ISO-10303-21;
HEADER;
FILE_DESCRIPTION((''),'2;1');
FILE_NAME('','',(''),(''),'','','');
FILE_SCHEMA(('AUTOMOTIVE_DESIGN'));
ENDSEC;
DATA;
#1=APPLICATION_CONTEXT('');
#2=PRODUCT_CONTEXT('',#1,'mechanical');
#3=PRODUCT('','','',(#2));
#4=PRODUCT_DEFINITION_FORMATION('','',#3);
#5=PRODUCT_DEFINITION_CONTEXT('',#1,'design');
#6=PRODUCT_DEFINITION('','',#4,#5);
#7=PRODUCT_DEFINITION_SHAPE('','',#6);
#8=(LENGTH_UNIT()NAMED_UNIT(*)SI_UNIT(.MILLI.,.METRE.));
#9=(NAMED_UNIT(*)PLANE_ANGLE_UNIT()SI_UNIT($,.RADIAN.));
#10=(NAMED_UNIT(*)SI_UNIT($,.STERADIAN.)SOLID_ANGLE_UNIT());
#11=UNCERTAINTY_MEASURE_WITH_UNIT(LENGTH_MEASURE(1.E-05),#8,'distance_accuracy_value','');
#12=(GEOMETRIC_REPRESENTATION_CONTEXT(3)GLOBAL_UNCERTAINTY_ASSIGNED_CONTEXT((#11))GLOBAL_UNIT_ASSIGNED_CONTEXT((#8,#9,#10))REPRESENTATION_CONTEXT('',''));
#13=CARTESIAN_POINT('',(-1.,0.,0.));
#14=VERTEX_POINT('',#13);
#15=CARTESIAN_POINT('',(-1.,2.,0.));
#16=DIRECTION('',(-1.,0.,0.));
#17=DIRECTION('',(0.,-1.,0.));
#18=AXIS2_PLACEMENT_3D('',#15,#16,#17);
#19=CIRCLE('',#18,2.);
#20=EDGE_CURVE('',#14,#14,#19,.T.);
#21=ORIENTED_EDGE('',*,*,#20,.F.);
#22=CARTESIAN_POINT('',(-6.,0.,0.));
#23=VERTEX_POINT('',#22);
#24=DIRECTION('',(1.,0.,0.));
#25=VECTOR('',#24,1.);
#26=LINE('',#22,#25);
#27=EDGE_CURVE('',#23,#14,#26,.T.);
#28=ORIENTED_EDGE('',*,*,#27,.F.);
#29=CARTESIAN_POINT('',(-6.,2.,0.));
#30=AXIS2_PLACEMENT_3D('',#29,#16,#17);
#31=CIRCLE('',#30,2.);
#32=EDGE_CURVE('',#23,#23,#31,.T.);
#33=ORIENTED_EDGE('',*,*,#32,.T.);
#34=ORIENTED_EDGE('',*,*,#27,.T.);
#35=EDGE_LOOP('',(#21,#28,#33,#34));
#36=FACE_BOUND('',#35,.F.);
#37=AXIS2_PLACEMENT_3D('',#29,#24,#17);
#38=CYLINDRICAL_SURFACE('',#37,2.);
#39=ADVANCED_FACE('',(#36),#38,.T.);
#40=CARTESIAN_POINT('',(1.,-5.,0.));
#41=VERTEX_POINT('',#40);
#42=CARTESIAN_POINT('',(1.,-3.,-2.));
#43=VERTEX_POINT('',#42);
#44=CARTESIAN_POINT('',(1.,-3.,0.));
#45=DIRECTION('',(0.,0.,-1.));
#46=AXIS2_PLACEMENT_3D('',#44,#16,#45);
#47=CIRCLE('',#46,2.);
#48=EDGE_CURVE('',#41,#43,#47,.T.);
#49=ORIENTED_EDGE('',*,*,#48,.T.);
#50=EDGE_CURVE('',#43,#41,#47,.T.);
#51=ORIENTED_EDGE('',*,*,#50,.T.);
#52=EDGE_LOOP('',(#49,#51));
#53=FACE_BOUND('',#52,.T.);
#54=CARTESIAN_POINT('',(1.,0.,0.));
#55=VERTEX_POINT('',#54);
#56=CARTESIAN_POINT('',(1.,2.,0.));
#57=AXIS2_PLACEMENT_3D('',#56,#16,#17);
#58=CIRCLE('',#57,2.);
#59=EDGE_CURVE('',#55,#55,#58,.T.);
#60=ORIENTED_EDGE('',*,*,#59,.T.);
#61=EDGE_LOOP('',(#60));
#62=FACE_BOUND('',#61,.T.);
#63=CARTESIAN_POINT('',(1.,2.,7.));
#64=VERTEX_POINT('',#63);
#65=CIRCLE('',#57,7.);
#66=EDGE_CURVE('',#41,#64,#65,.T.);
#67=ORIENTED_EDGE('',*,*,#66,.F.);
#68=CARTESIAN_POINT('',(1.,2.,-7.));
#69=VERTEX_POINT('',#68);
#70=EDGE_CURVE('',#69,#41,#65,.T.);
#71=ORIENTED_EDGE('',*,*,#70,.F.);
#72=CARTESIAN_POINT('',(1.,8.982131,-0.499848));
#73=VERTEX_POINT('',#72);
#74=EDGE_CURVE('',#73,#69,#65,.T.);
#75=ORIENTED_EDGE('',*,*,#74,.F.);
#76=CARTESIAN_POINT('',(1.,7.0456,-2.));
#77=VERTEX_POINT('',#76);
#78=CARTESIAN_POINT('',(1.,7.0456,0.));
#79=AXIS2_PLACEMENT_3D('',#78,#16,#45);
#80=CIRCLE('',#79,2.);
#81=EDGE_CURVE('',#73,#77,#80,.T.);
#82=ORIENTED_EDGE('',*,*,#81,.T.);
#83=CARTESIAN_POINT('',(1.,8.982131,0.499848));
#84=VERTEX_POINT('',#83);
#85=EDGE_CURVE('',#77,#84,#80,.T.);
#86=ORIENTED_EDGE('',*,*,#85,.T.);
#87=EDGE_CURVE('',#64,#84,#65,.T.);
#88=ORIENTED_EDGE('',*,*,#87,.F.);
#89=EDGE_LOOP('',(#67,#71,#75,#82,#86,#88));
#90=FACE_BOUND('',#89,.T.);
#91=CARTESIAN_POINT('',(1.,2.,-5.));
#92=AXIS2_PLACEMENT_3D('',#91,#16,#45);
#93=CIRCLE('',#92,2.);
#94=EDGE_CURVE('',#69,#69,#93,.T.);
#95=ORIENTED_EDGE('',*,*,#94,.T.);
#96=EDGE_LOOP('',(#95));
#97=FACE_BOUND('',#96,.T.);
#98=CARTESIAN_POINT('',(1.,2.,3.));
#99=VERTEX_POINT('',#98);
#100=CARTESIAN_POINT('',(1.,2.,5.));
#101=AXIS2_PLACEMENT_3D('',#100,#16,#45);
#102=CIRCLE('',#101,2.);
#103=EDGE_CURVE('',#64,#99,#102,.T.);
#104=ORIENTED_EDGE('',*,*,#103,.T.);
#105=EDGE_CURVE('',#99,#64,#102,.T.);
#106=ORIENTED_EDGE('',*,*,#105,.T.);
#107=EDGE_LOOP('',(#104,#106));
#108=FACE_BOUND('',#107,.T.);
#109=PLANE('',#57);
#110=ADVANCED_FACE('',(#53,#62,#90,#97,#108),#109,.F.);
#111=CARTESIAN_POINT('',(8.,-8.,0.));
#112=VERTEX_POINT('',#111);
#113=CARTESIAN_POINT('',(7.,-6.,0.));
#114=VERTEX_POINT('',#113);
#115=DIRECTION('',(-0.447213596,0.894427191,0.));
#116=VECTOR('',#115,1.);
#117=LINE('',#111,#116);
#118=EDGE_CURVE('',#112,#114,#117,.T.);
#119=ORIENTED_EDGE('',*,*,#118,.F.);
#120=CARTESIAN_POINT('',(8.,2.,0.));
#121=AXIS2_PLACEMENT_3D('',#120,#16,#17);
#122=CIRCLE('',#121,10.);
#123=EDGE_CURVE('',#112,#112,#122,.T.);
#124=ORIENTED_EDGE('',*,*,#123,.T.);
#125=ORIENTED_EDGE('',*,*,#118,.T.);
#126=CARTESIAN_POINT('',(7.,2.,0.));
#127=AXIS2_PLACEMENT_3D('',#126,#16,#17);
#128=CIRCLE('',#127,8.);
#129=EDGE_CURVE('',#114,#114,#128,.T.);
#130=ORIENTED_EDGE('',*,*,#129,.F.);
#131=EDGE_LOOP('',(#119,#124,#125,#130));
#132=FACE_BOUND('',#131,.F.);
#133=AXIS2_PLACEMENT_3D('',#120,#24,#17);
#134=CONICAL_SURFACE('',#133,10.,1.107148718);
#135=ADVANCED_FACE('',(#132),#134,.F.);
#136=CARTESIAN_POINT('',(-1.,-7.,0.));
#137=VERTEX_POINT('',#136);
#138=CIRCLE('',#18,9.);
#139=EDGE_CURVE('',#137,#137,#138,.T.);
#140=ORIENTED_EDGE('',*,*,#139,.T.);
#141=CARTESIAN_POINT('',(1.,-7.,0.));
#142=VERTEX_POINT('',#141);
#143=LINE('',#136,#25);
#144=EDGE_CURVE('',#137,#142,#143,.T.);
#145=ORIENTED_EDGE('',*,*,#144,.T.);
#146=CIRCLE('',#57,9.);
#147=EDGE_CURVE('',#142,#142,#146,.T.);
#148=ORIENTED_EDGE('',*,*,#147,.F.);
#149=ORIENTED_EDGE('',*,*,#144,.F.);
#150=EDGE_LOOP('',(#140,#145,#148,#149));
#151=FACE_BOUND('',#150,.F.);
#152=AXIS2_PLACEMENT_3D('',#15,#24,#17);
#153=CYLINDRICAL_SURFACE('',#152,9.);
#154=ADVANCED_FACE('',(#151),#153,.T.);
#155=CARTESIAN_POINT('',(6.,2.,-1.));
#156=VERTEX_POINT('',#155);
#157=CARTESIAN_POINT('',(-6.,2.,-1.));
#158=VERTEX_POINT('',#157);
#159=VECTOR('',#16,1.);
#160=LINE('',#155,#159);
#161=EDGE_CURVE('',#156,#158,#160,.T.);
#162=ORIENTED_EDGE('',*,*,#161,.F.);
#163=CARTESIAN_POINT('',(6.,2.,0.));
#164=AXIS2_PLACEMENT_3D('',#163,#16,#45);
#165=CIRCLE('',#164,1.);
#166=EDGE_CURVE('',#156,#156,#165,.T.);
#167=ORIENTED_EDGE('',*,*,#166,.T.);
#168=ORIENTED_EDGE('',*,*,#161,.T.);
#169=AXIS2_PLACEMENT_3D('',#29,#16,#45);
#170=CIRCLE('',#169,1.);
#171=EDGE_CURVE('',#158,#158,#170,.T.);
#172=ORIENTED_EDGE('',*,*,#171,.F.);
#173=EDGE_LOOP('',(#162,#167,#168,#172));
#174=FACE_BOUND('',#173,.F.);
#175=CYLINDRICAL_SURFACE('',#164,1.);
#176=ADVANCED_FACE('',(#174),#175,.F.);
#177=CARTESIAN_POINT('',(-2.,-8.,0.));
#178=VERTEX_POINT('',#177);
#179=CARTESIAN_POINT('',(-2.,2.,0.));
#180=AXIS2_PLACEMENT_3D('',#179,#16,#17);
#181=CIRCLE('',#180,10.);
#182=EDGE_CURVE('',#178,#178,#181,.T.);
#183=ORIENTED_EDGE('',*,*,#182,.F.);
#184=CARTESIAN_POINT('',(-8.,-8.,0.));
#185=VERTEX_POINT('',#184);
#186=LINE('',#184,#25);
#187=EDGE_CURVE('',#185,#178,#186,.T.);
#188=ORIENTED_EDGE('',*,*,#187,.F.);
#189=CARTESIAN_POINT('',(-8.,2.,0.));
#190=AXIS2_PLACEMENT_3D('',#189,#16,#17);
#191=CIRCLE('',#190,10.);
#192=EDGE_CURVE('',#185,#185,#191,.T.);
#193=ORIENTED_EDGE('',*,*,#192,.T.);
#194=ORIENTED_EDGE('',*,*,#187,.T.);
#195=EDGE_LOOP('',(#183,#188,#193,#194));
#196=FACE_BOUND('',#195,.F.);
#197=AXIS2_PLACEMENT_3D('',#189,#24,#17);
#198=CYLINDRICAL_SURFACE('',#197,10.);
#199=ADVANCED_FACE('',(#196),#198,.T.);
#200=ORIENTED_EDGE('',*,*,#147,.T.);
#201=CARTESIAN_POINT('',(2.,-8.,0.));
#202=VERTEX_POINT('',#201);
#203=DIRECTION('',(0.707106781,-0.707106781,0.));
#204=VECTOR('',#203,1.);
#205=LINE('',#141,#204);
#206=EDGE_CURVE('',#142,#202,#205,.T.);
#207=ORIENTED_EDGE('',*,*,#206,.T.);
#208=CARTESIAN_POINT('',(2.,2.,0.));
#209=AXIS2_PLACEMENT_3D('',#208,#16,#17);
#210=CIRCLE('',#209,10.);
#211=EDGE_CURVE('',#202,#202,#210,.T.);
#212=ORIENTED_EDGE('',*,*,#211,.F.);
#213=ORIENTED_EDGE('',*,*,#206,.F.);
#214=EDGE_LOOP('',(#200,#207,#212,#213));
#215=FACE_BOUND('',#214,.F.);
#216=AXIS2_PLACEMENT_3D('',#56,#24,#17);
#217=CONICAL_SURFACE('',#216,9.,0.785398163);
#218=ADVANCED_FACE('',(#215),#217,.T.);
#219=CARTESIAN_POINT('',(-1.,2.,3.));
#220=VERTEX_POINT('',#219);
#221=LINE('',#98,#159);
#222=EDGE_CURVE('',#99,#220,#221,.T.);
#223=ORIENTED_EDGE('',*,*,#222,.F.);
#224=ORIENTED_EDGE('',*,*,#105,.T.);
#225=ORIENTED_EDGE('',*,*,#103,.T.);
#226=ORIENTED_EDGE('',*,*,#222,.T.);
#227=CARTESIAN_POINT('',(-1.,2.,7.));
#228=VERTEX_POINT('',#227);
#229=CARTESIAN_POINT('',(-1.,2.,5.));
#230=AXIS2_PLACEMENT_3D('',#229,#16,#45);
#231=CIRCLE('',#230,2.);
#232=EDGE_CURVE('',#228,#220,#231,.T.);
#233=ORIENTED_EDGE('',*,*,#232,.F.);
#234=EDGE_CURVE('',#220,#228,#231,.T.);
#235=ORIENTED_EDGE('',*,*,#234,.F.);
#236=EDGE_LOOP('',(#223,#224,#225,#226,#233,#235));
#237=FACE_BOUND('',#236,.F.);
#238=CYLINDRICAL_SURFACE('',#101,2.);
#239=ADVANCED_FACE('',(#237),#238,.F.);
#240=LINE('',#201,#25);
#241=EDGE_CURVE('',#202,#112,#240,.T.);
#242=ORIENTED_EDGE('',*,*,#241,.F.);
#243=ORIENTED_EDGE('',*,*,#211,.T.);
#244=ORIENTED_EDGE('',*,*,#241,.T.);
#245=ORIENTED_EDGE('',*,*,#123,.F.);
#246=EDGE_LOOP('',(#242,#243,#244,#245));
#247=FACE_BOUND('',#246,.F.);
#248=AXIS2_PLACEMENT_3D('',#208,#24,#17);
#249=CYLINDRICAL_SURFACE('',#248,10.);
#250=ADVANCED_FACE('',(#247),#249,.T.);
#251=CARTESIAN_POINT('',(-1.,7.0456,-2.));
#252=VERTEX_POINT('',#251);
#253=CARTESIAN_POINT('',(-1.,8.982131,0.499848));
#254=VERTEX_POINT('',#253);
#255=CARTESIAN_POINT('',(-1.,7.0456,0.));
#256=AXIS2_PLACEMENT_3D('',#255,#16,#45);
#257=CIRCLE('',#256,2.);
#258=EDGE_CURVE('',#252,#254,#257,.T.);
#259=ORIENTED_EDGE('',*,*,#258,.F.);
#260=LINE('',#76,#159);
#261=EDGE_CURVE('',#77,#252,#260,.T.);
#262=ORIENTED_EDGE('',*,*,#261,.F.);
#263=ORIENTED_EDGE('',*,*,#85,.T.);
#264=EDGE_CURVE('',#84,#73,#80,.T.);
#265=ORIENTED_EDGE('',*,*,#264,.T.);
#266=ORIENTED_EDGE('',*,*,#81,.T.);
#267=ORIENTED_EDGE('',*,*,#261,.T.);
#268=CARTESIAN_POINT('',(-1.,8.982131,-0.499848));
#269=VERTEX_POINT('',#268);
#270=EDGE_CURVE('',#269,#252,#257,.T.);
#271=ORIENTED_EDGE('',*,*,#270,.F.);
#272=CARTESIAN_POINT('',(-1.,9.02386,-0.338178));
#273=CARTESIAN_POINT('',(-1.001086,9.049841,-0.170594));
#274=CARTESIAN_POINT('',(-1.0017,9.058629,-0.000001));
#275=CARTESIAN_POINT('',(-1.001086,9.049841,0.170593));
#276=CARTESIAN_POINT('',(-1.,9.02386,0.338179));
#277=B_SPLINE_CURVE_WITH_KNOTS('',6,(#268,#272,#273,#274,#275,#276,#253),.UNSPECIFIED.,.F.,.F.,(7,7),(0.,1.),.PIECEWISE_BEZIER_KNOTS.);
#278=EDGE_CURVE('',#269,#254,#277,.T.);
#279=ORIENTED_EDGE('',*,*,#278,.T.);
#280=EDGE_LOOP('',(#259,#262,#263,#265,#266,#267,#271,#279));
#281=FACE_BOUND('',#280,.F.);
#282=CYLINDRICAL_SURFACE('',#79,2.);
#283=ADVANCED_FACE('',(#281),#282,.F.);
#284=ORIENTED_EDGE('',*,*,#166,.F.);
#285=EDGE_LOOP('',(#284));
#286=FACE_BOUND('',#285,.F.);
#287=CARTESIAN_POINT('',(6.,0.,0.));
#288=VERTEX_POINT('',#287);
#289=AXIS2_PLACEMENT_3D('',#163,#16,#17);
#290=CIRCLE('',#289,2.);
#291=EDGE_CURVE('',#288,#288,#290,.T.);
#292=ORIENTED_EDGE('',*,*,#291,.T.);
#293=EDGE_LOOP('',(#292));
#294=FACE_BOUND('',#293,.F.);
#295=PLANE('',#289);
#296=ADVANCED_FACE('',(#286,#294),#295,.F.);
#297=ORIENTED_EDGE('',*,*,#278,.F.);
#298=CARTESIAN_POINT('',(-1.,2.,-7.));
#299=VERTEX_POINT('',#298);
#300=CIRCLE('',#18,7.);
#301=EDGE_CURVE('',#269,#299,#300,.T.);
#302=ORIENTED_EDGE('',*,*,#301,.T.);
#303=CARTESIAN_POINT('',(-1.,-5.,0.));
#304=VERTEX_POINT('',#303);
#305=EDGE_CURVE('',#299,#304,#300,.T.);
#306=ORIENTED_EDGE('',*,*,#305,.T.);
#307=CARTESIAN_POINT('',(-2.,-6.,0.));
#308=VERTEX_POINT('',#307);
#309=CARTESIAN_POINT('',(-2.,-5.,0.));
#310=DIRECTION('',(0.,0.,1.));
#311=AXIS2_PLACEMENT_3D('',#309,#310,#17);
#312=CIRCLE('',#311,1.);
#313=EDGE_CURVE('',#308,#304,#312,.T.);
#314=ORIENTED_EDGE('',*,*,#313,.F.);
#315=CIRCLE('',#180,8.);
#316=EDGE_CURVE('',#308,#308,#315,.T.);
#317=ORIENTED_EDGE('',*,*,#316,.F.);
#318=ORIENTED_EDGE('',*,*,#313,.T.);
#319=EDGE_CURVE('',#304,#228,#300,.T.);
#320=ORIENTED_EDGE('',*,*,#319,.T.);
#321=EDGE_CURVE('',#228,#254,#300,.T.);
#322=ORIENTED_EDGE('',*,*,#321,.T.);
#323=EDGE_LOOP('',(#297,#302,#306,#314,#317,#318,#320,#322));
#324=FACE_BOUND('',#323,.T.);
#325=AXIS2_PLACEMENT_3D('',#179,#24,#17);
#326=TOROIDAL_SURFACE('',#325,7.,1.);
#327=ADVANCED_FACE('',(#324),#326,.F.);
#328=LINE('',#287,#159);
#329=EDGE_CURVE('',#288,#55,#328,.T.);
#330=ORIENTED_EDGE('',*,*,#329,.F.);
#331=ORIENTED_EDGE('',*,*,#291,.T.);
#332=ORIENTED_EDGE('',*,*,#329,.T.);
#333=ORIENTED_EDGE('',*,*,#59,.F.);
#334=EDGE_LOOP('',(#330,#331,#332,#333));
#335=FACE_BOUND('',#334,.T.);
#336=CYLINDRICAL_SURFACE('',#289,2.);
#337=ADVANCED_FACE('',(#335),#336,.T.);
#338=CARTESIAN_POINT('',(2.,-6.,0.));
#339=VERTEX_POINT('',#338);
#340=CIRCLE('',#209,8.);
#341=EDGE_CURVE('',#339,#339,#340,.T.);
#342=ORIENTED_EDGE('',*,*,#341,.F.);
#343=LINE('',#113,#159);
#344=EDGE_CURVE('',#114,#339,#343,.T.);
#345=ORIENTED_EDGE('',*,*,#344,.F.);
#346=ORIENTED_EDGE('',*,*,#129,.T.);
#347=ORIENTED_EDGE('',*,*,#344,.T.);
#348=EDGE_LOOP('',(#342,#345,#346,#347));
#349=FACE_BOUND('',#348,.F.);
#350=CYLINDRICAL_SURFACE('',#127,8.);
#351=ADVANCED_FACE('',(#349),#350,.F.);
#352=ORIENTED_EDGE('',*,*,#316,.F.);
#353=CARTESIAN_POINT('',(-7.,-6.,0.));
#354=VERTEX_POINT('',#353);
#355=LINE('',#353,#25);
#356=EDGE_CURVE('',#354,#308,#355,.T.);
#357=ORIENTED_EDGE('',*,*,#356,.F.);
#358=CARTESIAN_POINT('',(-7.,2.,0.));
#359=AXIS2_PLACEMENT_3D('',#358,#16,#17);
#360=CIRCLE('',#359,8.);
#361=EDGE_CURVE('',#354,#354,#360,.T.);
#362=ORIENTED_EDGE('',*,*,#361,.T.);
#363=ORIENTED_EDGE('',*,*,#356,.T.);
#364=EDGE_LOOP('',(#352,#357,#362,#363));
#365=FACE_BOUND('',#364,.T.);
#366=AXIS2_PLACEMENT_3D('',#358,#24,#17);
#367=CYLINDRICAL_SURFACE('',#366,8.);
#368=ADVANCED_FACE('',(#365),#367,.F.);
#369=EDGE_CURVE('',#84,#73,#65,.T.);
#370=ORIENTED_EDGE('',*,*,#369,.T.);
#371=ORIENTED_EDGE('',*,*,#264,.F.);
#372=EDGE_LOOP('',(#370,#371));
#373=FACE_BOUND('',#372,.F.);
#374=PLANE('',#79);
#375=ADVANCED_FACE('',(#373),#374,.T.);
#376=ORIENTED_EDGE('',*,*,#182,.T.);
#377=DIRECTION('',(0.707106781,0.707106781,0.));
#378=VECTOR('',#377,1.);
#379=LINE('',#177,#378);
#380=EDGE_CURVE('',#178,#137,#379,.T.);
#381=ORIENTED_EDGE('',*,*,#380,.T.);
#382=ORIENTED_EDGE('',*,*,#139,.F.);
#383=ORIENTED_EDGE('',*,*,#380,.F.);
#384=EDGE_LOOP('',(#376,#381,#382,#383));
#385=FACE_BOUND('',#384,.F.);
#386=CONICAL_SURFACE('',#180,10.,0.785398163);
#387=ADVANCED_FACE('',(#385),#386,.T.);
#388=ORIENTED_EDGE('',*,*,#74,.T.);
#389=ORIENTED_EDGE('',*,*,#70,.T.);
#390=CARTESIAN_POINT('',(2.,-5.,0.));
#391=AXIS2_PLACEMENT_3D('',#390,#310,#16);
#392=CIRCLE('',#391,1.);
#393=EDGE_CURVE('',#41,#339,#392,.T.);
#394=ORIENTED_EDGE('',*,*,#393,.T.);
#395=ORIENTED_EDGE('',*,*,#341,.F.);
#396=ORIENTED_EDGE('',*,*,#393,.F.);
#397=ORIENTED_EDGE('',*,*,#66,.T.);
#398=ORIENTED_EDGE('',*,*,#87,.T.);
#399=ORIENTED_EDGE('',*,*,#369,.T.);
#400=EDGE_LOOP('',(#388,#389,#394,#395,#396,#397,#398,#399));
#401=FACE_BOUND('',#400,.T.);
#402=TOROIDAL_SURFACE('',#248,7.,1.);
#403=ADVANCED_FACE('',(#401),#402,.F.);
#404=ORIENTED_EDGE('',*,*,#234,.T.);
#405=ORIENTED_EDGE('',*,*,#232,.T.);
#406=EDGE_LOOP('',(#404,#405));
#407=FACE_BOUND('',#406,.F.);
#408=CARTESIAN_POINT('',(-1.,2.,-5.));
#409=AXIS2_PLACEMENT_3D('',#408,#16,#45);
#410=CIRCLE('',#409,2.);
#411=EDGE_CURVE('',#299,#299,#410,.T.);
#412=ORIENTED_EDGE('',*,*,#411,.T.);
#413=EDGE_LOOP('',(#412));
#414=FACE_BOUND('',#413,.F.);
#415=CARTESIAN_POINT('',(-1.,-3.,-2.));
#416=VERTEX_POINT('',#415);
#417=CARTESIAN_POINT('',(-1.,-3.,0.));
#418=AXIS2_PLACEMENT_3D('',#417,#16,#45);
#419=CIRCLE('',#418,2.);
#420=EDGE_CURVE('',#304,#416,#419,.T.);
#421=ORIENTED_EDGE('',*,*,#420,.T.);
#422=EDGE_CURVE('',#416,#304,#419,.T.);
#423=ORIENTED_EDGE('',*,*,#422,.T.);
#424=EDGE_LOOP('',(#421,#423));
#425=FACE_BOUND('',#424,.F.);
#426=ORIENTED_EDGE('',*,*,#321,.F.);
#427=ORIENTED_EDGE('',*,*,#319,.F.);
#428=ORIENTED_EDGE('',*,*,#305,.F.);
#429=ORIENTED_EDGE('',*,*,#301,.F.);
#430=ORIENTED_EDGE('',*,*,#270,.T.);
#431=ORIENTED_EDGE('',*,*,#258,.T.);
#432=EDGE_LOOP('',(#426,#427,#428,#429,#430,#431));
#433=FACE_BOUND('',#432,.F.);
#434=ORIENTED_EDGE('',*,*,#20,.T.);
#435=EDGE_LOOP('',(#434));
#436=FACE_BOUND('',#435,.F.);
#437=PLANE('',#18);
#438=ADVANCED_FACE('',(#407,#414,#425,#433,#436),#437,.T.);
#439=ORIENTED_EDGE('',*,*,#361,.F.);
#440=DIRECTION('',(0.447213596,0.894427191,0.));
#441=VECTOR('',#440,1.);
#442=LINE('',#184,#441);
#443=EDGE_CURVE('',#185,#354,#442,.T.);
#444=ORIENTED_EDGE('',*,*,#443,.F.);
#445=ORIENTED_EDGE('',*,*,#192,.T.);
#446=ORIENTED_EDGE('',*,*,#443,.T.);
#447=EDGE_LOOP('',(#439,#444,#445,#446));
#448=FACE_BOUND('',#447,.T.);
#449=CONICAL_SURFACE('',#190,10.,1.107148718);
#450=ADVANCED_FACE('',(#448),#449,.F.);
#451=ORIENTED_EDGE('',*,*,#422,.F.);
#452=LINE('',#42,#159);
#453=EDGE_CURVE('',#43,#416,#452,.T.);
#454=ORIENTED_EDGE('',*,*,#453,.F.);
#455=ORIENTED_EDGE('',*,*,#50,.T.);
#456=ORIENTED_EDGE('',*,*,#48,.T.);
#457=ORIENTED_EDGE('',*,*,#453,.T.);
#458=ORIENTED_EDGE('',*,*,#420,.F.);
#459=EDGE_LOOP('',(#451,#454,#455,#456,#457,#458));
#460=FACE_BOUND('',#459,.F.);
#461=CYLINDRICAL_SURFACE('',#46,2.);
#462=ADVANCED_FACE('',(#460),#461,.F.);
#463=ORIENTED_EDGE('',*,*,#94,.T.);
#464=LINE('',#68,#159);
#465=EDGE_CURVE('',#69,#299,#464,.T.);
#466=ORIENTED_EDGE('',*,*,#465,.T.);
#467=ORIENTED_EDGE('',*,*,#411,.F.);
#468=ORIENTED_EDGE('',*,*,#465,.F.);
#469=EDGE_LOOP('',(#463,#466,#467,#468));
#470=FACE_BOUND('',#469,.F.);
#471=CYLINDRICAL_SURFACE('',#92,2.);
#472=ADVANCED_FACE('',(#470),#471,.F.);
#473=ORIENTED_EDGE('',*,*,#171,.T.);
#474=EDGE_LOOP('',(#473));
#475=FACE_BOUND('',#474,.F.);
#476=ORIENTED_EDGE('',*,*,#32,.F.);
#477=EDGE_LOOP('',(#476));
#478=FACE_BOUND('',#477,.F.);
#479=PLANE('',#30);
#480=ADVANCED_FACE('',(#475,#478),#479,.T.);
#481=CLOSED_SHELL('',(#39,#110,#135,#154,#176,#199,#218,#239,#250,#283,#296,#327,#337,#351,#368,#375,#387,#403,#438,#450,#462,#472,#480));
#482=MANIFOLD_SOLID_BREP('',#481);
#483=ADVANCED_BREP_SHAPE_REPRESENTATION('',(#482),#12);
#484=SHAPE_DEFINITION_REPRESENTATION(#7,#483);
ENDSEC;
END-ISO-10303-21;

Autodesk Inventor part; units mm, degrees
ref_plane "YZ Plane" through (0, 0, 0) normal (1, 0, 0) x (0, 1, 0)
ref_plane "XZ Plane" through (0, 0, 0) normal (0, 1, 0) x (-1, 0, 0)
ref_plane "XY Plane" through (0, 0, 0) normal (0, 0, 1) x (1, 0, 0)
sketch "Sketch1" plane through (0, 0, 0) normal (0, 0, 1) x (1, 0, 0)
  line L0 (6, 0) -> (6, 2)
  line L1 (6, 0) -> (1, 0)
  line L2 (6, 2) -> (-6, 2)
  line L3 (-6, 2) -> (-6, 0)
  line L4 (-6, 0) -> (-1, 0)
  line L5 (-8, -8) -> (-7, -6)
  line L6 (8, -8) -> (7, -6)
  line L7 (-7, -6) -> (-2, -6)
  line L8 (-1, 0) -> (-1, -5)
  arc A0 (-2, -6) -> (-1, -5) centre (-2, -5) ccw
  line L9 (-8, -8) -> (-2, -8)
  line L10 (-2, -8) -> (-1, -7)
  line L11 (-1, -7) -> (1, -7)
  line L12 (1, -7) -> (2, -8)
  line L13 (2, -8) -> (8, -8)
  line L14 (1, 0) -> (1, -5)
  line L15 (7, -6) -> (2, -6)
  arc A1 (1, -5) -> (2, -6) centre (2, -5) ccw
  point P0 (0, 0)
  dimension "d0" = 6
  dimension "d1" = 2
  dimension "d3" = 5
  dimension "d6" = 12
  dimension "d7" = 2
  dimension "d8" = 5
  dimension "d26" = 5
  dimension "d27" = 5
  dimension "d28" = 6
  dimension "d29" = 5
  dimension "d30" = 5
  dimension "d49" = 2
  dimension "d50" = 2
  dimension "d51" = 1
revolve "Revolution1" add sketch "Sketch1" angle 360 about axis through (6, 2, 0) along (-1, 0, 0)
sketch "Sketch2" plane through (1, 2, 0) normal (1, 0, 0) x (0, 0, -1)
  circle A0 centre (0, 0) radius 8 projected
  line L0 (0, 8) -> (0, 5)
  line L1 (-8, 0) -> (-5, 0)
  line L2 (0, -8) -> (0, -5)
  line L3 (8, 0) -> (5, 0)
  point P0 (0, -2)
  dimension "d15" = 3
  dimension "d16" = 3
  dimension "d17" = 3
  dimension "d18" = 3
hole "Hole1" [suppressed]
sketch "Sketch3" plane through (1, 2, 0) normal (1, 0, 0) x (0, 0, -1)
  line L0 (0, 2.0456) -> (0, 5.0456)
  circle A0 centre (0, 0) radius 2 projected
  line L1 (-2, 0) -> (-5, 0)
  line L2 (0, -2) -> (0, -5)
  line L3 (2, 0) -> (5, 0)
  dimension "d31" = 3
  dimension "d32" = 3
  dimension "d33" = 3
  dimension "d34" = 3
hole "Hole2" at (1, 7.0456, 0) at (1, 2, -5) at (1, -3, 0) at (1, 2, 5) direction (-1, 0, 0) diameter 4 depth 8
sketch "Sketch5" plane through (6, 2, 0) normal (1, 0, 0) x (0, 0, -1)
  point P0 (0, 0)
  point P1 (0, 0)
hole "Hole3" at (6, 2, 0) direction (-1, 0, 0) diameter 2 depth 20
properties part number "Tank Wheel"
